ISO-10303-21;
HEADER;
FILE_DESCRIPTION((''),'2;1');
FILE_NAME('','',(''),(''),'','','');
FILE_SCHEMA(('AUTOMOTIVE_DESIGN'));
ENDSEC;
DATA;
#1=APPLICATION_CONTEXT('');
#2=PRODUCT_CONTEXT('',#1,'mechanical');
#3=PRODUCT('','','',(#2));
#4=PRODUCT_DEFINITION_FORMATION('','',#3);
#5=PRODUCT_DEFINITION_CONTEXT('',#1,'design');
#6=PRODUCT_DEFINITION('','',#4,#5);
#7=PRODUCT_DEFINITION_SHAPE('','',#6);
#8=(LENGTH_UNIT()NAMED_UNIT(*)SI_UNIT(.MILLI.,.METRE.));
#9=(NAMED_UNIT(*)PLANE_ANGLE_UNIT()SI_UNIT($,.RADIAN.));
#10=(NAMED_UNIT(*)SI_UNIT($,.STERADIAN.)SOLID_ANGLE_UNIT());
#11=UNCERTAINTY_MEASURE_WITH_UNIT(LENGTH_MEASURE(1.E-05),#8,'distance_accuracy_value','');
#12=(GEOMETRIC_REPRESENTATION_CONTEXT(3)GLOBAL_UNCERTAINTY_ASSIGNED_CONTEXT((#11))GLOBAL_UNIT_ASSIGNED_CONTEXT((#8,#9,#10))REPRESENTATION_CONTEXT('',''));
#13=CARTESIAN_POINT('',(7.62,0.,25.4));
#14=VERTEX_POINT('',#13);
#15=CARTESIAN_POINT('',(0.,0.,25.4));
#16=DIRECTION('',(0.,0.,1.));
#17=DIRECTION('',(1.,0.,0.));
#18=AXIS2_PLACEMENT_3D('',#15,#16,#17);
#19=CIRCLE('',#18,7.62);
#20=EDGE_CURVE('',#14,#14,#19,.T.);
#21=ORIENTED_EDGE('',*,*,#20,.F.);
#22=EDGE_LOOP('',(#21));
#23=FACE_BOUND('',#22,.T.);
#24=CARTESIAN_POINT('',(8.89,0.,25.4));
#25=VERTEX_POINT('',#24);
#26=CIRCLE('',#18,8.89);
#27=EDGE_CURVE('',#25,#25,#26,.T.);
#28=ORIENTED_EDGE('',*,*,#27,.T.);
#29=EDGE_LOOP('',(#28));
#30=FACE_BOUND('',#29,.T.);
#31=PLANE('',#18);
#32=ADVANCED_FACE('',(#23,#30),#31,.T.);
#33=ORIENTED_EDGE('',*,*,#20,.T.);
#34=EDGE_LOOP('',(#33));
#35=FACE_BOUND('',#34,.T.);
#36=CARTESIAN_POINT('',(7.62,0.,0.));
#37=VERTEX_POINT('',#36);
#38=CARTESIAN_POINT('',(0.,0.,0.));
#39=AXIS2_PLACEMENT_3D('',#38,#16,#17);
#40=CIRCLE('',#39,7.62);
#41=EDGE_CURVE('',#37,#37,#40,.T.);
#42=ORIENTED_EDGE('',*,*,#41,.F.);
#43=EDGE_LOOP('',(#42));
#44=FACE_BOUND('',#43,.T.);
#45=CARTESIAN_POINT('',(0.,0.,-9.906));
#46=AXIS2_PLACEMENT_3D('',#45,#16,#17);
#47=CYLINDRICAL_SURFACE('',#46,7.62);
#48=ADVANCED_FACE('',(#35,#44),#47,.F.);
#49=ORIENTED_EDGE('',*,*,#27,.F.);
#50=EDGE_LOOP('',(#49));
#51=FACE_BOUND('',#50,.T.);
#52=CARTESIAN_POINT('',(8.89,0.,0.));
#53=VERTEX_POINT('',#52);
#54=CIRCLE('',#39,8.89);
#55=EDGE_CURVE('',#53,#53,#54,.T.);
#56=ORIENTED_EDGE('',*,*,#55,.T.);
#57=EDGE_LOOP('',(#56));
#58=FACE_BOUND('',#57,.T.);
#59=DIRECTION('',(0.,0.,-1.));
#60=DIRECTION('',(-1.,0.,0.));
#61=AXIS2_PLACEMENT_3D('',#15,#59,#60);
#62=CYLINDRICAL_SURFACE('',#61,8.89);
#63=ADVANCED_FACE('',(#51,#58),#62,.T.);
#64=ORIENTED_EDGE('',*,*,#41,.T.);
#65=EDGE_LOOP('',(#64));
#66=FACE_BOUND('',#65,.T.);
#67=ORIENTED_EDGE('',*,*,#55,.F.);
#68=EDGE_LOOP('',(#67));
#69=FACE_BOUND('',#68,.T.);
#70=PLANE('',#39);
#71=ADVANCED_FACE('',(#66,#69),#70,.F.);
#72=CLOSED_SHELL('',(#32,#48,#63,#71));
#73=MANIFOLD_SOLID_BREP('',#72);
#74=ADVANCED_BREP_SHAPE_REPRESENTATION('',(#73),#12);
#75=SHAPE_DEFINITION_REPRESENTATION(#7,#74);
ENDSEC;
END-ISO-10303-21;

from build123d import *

# Parameters (mm, degrees)
SKETCH1_R           = 8.89
BOSS_EXTRUDE1_DEPTH = 25.4
SKETCH2_R           = 7.62
CUT_EXTRUDE1_DEPTH  = 35.306


with BuildPart() as part:
    # Sketch1 → Boss-Extrude1 (new body)
    with BuildSketch(Plane.XY):
        Circle(SKETCH1_R)
    extrude(amount=BOSS_EXTRUDE1_DEPTH)

    # Sketch2 → Cut-Extrude1 (cut)
    with BuildSketch(Plane.XY.offset(25.4)):
        Circle(SKETCH2_R)
    extrude(amount=-CUT_EXTRUDE1_DEPTH, mode=Mode.SUBTRACT)


solid = part.part
